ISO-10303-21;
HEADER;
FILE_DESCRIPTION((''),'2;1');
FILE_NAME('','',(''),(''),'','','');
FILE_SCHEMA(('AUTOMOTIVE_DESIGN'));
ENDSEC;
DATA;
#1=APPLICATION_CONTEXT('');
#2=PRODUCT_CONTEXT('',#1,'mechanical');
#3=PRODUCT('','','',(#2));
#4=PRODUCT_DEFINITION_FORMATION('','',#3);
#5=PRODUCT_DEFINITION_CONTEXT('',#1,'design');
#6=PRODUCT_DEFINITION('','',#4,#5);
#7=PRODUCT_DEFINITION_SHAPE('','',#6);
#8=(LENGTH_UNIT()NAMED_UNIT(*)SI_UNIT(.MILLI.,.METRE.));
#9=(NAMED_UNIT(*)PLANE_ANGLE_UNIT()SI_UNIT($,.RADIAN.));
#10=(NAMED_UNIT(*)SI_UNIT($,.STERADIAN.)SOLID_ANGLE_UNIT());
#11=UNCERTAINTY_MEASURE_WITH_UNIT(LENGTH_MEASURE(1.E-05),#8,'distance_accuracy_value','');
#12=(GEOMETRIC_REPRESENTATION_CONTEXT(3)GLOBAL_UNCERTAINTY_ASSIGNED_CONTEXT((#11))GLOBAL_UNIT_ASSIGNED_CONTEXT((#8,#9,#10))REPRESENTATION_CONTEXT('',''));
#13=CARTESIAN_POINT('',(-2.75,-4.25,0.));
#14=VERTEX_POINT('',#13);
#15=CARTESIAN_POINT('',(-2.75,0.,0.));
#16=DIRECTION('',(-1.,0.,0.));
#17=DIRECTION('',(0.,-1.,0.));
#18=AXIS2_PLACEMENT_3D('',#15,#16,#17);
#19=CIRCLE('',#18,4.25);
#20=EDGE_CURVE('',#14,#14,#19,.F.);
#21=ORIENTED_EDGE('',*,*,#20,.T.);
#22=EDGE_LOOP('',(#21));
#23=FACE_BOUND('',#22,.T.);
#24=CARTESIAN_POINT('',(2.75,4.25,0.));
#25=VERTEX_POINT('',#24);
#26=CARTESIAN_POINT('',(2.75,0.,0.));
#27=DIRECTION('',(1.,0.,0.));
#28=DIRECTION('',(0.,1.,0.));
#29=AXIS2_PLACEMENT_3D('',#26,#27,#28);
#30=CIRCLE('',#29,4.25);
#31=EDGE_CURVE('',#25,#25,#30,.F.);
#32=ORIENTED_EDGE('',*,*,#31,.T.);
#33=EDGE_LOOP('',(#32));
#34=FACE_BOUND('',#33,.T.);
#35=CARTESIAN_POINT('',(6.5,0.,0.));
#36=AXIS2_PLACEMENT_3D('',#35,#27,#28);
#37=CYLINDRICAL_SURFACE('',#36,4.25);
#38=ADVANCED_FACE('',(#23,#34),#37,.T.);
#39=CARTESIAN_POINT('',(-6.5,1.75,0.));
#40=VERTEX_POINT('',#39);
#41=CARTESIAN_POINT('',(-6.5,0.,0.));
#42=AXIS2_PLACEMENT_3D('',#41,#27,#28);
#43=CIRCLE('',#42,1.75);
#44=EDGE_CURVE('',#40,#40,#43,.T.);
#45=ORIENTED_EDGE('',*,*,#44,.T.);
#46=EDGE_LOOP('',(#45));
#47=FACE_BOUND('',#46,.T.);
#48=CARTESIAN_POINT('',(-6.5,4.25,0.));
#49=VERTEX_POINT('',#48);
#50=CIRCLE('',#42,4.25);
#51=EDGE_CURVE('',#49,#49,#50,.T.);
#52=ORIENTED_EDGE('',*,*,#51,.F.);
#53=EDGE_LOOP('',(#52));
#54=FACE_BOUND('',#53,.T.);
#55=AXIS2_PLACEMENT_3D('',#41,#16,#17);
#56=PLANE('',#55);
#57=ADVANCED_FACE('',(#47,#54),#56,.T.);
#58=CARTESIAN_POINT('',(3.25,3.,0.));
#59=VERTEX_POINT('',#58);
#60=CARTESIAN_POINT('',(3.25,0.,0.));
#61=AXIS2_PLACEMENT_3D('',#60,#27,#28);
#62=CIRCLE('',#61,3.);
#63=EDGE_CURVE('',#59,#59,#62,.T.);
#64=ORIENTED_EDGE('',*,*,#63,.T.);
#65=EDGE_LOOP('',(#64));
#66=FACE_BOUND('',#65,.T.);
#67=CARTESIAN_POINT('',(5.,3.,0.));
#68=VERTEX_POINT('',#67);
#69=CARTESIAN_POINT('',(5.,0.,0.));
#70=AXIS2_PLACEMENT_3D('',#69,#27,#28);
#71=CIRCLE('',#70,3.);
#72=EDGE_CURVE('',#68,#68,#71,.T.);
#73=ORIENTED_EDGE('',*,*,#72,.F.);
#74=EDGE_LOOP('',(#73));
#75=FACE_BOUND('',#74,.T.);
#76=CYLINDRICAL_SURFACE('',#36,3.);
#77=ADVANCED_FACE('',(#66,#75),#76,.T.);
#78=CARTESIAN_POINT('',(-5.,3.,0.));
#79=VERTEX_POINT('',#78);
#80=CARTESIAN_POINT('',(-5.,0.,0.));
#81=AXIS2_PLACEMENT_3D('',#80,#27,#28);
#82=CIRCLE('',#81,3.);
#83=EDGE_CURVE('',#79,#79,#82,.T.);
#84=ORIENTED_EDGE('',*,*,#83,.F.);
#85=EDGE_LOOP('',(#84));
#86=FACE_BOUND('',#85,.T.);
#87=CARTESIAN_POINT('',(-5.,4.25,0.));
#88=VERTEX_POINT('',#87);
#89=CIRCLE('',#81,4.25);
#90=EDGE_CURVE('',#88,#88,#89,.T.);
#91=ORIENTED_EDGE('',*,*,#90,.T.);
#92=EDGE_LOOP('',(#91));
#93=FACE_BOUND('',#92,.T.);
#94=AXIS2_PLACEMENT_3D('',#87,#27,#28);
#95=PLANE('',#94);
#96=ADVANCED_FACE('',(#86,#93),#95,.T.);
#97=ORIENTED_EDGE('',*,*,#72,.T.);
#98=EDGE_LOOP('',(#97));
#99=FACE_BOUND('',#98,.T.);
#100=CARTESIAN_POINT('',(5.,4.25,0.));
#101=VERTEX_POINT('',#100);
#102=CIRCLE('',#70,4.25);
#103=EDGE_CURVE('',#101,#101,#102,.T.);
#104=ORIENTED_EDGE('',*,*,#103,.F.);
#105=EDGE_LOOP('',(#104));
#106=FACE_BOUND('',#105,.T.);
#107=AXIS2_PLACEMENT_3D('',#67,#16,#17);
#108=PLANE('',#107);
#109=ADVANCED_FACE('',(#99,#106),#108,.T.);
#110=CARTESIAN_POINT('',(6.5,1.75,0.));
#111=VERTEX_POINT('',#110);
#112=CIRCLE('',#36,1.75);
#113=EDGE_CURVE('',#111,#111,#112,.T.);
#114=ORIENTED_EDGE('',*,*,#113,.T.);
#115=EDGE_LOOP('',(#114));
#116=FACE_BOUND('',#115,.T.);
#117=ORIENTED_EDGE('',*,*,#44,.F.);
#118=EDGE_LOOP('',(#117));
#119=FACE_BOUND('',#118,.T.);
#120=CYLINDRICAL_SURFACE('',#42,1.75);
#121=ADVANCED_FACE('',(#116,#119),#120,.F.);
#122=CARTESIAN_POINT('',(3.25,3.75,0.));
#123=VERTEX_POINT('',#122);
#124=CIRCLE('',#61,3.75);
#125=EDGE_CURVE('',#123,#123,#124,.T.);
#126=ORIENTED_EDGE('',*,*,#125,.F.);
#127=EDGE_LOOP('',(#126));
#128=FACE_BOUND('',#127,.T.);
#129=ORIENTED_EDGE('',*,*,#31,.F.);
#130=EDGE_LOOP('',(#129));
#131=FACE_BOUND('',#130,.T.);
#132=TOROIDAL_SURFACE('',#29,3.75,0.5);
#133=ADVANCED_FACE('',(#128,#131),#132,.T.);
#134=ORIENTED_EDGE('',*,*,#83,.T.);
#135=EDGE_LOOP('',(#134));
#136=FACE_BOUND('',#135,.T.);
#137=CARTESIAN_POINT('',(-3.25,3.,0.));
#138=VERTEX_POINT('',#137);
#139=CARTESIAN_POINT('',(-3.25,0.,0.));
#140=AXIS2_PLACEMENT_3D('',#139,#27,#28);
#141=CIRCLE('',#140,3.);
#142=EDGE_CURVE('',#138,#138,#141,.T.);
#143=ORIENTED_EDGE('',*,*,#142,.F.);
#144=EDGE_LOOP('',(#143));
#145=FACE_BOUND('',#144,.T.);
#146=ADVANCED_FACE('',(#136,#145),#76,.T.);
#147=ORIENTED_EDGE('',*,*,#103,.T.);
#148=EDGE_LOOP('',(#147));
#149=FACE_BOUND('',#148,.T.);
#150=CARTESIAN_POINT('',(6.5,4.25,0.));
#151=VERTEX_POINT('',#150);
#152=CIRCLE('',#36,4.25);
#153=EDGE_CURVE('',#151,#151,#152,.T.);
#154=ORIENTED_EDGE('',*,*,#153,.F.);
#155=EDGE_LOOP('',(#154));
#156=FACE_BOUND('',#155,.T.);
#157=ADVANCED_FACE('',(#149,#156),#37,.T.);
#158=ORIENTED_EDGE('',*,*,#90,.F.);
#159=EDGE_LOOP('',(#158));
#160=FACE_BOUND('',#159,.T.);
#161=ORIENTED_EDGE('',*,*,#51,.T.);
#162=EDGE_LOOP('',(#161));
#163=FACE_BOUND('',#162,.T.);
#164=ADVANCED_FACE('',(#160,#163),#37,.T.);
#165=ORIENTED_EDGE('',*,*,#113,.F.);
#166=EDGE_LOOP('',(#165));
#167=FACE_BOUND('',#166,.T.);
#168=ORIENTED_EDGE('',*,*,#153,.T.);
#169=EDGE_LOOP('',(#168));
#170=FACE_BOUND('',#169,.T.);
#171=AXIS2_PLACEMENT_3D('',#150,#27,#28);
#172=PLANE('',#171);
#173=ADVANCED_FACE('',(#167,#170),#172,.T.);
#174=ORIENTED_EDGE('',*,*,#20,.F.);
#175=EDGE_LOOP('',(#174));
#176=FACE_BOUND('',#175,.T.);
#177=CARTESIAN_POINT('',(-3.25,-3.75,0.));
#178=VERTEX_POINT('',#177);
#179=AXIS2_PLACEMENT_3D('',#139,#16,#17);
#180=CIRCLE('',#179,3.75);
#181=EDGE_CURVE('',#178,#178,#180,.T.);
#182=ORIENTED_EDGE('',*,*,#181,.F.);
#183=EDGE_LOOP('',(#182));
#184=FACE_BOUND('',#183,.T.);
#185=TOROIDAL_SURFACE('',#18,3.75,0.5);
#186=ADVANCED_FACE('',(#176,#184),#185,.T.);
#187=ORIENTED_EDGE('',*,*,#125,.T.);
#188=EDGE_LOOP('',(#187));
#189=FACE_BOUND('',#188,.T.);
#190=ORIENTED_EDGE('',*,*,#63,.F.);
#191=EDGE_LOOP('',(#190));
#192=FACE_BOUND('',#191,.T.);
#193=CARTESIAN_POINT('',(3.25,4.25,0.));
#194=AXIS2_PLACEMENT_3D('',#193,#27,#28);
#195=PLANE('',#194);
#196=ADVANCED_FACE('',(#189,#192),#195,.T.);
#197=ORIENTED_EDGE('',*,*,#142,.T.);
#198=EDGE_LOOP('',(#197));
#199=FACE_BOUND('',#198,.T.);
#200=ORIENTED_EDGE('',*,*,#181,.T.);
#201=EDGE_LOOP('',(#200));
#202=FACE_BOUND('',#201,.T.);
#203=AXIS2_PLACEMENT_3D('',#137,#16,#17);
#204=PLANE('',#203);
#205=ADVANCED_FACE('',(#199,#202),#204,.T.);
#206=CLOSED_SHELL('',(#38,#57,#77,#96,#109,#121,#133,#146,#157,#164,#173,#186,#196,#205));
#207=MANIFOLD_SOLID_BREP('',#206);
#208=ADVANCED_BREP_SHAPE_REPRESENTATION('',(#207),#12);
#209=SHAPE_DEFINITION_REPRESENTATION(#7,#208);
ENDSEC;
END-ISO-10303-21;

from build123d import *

# Parameters (mm, degrees)
SKETCH2_R          = 1.75
CUT_EXTRUDE1_DEPTH = 14
FILLET1_R          = 0.5


with BuildPart() as part:
    # Sketch1 → Revolve1 (revolve)
    with BuildSketch(Plane.XY):
        Polygon((-6.5, 0), (-6.5, 4.25), (-5, 4.25), (-5, 3), (-3.25, 3), (-3.25, 4.25), (3.25, 4.25), (3.25, 3), (5, 3), (5, 4.25), (6.5, 4.25), (6.5, 0), align=None)
    revolve(axis=Axis((6.5, 0, 0), (-1, 0, 0)))

    # Sketch2 → Cut-Extrude1 (cut, through all)
    with BuildSketch(Plane(origin=(6.5, 0, 0), x_dir=(0, 0, -1), z_dir=(1, 0, 0))):
        Circle(SKETCH2_R)
    extrude(amount=-CUT_EXTRUDE1_DEPTH, mode=Mode.SUBTRACT)

    # Fillet1
    fillet1_edges = [part.edges().sort_by_distance(p)[0] for p in [
        (3.25, -4.25, 0),
        (-3.25, -4.25, 0),
    ]]
    fillet(fillet1_edges, radius=FILLET1_R)


solid = part.part
